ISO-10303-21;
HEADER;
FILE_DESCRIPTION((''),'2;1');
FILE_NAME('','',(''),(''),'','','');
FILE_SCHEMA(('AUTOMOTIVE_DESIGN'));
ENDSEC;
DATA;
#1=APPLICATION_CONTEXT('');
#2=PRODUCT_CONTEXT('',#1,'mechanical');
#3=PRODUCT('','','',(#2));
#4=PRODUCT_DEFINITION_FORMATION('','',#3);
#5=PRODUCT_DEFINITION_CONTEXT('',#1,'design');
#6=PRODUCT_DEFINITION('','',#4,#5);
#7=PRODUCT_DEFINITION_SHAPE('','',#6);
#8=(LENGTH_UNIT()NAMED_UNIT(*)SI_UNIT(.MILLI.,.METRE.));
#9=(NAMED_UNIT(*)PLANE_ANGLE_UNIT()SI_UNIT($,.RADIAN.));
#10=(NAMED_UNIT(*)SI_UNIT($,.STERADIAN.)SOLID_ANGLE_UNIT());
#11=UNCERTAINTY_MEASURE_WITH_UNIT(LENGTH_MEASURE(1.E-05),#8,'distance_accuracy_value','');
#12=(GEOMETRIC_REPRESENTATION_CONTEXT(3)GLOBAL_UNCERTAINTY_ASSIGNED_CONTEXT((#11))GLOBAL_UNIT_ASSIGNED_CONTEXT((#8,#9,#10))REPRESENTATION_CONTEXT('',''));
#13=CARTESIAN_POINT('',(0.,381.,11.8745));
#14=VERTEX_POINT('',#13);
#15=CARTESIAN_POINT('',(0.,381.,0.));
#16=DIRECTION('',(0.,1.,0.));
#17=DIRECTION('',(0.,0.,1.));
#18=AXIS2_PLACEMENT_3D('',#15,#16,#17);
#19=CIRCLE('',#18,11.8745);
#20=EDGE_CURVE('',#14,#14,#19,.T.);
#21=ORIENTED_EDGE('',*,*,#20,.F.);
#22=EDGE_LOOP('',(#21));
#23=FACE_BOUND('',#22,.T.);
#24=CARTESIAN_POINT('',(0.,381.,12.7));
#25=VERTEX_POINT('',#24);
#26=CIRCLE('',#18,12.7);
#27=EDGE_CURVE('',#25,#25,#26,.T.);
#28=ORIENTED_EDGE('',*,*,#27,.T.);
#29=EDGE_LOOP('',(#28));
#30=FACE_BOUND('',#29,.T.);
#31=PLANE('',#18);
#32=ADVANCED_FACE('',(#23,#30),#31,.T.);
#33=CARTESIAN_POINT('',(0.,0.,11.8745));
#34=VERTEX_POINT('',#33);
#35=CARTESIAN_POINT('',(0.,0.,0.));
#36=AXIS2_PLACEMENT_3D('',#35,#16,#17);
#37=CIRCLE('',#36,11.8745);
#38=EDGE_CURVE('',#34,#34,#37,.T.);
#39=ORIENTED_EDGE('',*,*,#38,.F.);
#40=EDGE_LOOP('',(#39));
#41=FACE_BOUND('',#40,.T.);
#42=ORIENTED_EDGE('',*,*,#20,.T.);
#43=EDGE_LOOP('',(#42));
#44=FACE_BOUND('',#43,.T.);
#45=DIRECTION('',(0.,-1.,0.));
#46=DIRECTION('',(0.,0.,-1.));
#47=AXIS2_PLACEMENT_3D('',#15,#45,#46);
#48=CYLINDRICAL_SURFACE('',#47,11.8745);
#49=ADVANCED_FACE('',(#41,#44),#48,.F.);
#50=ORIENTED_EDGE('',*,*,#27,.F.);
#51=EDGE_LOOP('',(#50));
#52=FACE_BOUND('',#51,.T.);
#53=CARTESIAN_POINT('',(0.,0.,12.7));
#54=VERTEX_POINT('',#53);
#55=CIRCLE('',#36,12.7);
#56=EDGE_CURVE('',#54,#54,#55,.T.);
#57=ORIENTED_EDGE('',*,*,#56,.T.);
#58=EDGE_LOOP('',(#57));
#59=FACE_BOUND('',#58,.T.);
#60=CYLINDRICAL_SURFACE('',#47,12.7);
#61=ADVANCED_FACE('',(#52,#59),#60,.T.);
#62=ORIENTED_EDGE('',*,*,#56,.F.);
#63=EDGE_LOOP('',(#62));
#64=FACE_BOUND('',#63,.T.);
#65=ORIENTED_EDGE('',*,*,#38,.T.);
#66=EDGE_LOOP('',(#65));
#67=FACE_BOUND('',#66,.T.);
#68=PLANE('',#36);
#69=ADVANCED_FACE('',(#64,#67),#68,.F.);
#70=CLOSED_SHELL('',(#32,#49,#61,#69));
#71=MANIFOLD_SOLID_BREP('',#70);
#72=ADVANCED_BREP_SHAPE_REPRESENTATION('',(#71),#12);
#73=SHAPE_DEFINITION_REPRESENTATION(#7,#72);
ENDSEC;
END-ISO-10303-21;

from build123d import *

# Parameters (mm, degrees)
SKETCH1_R           = 12.7
SKETCH1_R_2         = 11.8745
BOSS_EXTRUDE1_DEPTH = 381


with BuildPart() as part:
    # Sketch1 → Boss-Extrude1 (new body)
    with BuildSketch(Plane(origin=(0, 0, 0), x_dir=(1, 0, 0), z_dir=(0, 1, 0))):
        with Locations(Location((0, 0, 0), (0, 0, 270))):
            Circle(SKETCH1_R)
        with Locations(Location((0, 0, 0), (0, 0, 270))):
            Circle(SKETCH1_R_2, mode=Mode.SUBTRACT)
    extrude(amount=BOSS_EXTRUDE1_DEPTH)


solid = part.part
